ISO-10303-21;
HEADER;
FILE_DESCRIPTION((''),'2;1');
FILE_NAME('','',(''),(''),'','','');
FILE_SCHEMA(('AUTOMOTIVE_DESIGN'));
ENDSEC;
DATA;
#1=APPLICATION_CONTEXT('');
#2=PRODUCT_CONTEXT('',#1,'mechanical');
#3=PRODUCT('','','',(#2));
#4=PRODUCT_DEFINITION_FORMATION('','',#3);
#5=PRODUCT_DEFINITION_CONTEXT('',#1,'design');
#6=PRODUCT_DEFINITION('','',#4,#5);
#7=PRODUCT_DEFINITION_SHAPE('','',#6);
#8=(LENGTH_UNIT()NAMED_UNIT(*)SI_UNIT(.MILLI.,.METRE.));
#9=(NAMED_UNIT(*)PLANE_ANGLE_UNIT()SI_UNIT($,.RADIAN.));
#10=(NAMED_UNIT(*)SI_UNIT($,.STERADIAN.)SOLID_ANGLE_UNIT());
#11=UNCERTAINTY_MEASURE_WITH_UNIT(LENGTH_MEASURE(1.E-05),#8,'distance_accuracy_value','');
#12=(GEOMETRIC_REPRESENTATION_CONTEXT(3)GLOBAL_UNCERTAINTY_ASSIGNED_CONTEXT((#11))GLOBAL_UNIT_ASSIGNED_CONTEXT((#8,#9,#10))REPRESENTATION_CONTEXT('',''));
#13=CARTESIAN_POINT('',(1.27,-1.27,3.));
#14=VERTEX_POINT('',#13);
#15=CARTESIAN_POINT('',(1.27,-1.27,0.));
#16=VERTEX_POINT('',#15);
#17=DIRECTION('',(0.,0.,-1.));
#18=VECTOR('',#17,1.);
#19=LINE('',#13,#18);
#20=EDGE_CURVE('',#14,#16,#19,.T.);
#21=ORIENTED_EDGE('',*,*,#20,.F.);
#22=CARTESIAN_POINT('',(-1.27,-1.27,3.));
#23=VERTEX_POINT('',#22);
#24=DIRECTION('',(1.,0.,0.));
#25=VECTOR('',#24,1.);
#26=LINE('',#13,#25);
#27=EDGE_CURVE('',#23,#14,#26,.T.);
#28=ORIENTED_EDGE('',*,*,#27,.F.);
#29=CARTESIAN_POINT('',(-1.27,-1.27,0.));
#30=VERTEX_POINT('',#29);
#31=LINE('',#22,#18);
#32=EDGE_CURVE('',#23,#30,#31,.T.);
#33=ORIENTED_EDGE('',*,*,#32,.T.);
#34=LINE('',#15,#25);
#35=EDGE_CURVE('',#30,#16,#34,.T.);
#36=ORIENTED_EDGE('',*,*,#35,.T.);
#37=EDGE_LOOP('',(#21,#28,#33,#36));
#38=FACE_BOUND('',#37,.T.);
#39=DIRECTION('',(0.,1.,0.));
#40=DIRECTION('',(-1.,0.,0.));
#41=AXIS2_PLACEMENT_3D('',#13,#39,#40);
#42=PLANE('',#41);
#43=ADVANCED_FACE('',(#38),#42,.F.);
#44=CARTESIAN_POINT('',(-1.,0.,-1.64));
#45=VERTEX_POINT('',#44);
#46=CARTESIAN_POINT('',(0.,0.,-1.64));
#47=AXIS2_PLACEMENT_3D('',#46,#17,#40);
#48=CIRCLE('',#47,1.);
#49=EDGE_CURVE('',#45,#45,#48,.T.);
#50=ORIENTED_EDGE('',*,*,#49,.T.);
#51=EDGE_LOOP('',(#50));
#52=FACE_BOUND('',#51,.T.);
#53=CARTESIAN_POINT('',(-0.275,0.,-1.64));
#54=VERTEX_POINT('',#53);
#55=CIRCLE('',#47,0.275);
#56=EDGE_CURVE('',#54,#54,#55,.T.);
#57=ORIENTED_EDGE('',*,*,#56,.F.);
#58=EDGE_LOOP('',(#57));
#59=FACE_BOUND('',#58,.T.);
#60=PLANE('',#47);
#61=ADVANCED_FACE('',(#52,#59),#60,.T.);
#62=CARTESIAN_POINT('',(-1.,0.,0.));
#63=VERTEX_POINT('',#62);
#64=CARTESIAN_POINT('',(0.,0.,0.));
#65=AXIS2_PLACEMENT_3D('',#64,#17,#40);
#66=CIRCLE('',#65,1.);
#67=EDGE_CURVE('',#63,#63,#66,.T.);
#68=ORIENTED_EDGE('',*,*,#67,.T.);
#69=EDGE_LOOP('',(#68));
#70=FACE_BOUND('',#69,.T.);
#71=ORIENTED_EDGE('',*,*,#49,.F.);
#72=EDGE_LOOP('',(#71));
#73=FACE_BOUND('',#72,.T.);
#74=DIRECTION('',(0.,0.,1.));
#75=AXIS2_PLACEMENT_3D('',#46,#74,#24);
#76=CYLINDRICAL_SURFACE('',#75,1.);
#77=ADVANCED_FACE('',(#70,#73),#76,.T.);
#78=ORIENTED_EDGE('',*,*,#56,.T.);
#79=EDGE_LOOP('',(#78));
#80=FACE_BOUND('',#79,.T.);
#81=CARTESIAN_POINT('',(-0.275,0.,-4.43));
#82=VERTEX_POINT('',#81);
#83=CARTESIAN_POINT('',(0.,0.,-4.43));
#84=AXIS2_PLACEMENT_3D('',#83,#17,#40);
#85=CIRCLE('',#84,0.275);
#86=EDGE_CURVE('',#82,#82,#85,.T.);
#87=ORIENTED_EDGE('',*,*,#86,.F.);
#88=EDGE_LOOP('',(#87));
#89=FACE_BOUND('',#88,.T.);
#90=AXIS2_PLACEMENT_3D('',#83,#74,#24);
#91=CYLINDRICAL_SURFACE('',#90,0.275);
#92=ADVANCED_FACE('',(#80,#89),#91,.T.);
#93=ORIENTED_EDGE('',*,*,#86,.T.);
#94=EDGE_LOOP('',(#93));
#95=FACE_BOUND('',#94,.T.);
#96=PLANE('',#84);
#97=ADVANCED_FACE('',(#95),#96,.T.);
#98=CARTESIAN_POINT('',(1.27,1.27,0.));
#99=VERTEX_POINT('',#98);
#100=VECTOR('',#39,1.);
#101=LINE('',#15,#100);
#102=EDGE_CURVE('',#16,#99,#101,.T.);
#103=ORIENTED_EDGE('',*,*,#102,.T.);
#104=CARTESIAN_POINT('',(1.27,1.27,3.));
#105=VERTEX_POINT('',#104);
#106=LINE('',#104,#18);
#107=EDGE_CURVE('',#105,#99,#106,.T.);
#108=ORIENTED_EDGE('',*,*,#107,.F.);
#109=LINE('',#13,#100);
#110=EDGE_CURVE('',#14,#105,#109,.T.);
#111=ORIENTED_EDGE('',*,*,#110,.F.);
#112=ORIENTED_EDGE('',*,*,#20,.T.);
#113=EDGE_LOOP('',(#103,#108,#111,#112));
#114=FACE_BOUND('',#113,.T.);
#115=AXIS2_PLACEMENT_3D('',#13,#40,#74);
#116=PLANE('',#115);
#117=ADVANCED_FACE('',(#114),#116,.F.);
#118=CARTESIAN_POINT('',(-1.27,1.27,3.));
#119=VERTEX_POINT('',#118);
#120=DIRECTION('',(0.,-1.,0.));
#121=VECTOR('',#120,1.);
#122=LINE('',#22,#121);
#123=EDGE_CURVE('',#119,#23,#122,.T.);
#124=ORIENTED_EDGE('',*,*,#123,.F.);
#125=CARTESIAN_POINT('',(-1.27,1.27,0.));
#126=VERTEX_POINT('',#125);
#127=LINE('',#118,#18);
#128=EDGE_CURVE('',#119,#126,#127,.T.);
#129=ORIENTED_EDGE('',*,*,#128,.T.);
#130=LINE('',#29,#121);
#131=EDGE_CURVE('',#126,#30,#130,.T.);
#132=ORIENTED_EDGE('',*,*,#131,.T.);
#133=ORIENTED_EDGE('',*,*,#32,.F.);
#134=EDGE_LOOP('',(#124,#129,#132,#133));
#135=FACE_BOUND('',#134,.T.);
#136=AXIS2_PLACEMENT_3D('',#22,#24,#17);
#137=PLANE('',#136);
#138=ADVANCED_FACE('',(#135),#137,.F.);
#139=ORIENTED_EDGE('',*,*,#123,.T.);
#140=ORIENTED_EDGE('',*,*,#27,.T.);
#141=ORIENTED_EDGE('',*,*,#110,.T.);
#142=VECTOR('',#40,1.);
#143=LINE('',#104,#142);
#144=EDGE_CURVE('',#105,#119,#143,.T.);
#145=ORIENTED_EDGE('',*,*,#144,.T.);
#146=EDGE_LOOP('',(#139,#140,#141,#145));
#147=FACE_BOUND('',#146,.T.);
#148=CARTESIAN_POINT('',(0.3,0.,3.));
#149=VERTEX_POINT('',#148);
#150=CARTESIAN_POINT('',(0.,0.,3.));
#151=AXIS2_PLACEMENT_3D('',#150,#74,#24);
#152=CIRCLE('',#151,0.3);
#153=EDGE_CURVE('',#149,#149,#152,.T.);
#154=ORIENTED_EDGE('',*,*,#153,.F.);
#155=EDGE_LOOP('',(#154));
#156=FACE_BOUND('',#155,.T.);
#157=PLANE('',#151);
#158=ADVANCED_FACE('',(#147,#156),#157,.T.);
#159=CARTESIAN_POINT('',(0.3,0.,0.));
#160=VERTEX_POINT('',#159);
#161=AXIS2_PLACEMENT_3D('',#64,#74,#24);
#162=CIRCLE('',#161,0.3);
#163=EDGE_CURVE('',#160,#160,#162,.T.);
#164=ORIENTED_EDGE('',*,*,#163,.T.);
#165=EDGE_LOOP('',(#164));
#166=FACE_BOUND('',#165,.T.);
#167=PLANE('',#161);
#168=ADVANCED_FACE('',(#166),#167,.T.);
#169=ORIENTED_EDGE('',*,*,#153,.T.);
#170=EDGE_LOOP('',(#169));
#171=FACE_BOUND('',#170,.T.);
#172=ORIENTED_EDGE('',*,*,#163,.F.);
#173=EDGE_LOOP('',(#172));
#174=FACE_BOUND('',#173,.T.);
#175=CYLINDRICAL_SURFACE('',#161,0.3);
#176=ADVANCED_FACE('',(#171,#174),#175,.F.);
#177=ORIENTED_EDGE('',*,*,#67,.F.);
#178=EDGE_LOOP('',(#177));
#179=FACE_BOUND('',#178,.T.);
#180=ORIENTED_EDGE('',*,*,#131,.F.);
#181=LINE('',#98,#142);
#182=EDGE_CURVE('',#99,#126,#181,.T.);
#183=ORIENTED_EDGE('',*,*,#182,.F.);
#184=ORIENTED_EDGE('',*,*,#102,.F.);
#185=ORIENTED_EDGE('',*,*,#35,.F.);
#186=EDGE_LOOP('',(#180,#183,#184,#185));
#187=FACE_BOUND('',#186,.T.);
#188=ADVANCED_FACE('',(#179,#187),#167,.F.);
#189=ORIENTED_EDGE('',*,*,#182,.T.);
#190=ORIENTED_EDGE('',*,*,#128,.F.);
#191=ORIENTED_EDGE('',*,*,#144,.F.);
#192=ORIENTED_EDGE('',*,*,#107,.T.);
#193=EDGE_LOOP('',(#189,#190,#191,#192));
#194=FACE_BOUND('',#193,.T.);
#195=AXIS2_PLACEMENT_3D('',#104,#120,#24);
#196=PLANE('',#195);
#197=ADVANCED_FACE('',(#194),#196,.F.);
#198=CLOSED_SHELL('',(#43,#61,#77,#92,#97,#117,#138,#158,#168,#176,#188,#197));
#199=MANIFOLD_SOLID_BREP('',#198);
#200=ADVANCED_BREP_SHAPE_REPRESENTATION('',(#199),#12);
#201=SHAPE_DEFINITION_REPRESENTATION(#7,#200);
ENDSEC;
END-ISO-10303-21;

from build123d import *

# Parameters (mm, degrees)
SKETCH1_W           = 2.54
SKETCH1_H           = 2.54
BOSS_EXTRUDE1_DEPTH = 3
SKETCH2_R           = 1
BOSS_EXTRUDE2_DEPTH = 1.64
SKETCH3_R           = 0.275
BOSS_EXTRUDE3_DEPTH = 2.79
SKETCH4_R           = 0.3
CUT_EXTRUDE1_DEPTH  = 3


with BuildPart() as part:
    # Sketch1 → Boss-Extrude1 (new body)
    with BuildSketch(Plane.XY):
        Rectangle(SKETCH1_W, SKETCH1_H)
    extrude(amount=BOSS_EXTRUDE1_DEPTH)

    # Sketch2 → Boss-Extrude2 (add)
    with BuildSketch(Plane(origin=(0, 0, 0), x_dir=(-1, 0, 0), z_dir=(0, 0, -1))):
        Circle(SKETCH2_R)
    extrude(amount=BOSS_EXTRUDE2_DEPTH)

    # Sketch3 → Boss-Extrude3 (add)
    with BuildSketch(Plane(origin=(0, 0, -1.64), x_dir=(-1, 0, 0), z_dir=(0, 0, -1))):
        Circle(SKETCH3_R)
    extrude(amount=BOSS_EXTRUDE3_DEPTH)

    # Sketch4 → Cut-Extrude1 (cut)
    with BuildSketch(Plane.XY.offset(3)):
        Circle(SKETCH4_R)
    extrude(amount=-CUT_EXTRUDE1_DEPTH, mode=Mode.SUBTRACT)


solid = part.part
